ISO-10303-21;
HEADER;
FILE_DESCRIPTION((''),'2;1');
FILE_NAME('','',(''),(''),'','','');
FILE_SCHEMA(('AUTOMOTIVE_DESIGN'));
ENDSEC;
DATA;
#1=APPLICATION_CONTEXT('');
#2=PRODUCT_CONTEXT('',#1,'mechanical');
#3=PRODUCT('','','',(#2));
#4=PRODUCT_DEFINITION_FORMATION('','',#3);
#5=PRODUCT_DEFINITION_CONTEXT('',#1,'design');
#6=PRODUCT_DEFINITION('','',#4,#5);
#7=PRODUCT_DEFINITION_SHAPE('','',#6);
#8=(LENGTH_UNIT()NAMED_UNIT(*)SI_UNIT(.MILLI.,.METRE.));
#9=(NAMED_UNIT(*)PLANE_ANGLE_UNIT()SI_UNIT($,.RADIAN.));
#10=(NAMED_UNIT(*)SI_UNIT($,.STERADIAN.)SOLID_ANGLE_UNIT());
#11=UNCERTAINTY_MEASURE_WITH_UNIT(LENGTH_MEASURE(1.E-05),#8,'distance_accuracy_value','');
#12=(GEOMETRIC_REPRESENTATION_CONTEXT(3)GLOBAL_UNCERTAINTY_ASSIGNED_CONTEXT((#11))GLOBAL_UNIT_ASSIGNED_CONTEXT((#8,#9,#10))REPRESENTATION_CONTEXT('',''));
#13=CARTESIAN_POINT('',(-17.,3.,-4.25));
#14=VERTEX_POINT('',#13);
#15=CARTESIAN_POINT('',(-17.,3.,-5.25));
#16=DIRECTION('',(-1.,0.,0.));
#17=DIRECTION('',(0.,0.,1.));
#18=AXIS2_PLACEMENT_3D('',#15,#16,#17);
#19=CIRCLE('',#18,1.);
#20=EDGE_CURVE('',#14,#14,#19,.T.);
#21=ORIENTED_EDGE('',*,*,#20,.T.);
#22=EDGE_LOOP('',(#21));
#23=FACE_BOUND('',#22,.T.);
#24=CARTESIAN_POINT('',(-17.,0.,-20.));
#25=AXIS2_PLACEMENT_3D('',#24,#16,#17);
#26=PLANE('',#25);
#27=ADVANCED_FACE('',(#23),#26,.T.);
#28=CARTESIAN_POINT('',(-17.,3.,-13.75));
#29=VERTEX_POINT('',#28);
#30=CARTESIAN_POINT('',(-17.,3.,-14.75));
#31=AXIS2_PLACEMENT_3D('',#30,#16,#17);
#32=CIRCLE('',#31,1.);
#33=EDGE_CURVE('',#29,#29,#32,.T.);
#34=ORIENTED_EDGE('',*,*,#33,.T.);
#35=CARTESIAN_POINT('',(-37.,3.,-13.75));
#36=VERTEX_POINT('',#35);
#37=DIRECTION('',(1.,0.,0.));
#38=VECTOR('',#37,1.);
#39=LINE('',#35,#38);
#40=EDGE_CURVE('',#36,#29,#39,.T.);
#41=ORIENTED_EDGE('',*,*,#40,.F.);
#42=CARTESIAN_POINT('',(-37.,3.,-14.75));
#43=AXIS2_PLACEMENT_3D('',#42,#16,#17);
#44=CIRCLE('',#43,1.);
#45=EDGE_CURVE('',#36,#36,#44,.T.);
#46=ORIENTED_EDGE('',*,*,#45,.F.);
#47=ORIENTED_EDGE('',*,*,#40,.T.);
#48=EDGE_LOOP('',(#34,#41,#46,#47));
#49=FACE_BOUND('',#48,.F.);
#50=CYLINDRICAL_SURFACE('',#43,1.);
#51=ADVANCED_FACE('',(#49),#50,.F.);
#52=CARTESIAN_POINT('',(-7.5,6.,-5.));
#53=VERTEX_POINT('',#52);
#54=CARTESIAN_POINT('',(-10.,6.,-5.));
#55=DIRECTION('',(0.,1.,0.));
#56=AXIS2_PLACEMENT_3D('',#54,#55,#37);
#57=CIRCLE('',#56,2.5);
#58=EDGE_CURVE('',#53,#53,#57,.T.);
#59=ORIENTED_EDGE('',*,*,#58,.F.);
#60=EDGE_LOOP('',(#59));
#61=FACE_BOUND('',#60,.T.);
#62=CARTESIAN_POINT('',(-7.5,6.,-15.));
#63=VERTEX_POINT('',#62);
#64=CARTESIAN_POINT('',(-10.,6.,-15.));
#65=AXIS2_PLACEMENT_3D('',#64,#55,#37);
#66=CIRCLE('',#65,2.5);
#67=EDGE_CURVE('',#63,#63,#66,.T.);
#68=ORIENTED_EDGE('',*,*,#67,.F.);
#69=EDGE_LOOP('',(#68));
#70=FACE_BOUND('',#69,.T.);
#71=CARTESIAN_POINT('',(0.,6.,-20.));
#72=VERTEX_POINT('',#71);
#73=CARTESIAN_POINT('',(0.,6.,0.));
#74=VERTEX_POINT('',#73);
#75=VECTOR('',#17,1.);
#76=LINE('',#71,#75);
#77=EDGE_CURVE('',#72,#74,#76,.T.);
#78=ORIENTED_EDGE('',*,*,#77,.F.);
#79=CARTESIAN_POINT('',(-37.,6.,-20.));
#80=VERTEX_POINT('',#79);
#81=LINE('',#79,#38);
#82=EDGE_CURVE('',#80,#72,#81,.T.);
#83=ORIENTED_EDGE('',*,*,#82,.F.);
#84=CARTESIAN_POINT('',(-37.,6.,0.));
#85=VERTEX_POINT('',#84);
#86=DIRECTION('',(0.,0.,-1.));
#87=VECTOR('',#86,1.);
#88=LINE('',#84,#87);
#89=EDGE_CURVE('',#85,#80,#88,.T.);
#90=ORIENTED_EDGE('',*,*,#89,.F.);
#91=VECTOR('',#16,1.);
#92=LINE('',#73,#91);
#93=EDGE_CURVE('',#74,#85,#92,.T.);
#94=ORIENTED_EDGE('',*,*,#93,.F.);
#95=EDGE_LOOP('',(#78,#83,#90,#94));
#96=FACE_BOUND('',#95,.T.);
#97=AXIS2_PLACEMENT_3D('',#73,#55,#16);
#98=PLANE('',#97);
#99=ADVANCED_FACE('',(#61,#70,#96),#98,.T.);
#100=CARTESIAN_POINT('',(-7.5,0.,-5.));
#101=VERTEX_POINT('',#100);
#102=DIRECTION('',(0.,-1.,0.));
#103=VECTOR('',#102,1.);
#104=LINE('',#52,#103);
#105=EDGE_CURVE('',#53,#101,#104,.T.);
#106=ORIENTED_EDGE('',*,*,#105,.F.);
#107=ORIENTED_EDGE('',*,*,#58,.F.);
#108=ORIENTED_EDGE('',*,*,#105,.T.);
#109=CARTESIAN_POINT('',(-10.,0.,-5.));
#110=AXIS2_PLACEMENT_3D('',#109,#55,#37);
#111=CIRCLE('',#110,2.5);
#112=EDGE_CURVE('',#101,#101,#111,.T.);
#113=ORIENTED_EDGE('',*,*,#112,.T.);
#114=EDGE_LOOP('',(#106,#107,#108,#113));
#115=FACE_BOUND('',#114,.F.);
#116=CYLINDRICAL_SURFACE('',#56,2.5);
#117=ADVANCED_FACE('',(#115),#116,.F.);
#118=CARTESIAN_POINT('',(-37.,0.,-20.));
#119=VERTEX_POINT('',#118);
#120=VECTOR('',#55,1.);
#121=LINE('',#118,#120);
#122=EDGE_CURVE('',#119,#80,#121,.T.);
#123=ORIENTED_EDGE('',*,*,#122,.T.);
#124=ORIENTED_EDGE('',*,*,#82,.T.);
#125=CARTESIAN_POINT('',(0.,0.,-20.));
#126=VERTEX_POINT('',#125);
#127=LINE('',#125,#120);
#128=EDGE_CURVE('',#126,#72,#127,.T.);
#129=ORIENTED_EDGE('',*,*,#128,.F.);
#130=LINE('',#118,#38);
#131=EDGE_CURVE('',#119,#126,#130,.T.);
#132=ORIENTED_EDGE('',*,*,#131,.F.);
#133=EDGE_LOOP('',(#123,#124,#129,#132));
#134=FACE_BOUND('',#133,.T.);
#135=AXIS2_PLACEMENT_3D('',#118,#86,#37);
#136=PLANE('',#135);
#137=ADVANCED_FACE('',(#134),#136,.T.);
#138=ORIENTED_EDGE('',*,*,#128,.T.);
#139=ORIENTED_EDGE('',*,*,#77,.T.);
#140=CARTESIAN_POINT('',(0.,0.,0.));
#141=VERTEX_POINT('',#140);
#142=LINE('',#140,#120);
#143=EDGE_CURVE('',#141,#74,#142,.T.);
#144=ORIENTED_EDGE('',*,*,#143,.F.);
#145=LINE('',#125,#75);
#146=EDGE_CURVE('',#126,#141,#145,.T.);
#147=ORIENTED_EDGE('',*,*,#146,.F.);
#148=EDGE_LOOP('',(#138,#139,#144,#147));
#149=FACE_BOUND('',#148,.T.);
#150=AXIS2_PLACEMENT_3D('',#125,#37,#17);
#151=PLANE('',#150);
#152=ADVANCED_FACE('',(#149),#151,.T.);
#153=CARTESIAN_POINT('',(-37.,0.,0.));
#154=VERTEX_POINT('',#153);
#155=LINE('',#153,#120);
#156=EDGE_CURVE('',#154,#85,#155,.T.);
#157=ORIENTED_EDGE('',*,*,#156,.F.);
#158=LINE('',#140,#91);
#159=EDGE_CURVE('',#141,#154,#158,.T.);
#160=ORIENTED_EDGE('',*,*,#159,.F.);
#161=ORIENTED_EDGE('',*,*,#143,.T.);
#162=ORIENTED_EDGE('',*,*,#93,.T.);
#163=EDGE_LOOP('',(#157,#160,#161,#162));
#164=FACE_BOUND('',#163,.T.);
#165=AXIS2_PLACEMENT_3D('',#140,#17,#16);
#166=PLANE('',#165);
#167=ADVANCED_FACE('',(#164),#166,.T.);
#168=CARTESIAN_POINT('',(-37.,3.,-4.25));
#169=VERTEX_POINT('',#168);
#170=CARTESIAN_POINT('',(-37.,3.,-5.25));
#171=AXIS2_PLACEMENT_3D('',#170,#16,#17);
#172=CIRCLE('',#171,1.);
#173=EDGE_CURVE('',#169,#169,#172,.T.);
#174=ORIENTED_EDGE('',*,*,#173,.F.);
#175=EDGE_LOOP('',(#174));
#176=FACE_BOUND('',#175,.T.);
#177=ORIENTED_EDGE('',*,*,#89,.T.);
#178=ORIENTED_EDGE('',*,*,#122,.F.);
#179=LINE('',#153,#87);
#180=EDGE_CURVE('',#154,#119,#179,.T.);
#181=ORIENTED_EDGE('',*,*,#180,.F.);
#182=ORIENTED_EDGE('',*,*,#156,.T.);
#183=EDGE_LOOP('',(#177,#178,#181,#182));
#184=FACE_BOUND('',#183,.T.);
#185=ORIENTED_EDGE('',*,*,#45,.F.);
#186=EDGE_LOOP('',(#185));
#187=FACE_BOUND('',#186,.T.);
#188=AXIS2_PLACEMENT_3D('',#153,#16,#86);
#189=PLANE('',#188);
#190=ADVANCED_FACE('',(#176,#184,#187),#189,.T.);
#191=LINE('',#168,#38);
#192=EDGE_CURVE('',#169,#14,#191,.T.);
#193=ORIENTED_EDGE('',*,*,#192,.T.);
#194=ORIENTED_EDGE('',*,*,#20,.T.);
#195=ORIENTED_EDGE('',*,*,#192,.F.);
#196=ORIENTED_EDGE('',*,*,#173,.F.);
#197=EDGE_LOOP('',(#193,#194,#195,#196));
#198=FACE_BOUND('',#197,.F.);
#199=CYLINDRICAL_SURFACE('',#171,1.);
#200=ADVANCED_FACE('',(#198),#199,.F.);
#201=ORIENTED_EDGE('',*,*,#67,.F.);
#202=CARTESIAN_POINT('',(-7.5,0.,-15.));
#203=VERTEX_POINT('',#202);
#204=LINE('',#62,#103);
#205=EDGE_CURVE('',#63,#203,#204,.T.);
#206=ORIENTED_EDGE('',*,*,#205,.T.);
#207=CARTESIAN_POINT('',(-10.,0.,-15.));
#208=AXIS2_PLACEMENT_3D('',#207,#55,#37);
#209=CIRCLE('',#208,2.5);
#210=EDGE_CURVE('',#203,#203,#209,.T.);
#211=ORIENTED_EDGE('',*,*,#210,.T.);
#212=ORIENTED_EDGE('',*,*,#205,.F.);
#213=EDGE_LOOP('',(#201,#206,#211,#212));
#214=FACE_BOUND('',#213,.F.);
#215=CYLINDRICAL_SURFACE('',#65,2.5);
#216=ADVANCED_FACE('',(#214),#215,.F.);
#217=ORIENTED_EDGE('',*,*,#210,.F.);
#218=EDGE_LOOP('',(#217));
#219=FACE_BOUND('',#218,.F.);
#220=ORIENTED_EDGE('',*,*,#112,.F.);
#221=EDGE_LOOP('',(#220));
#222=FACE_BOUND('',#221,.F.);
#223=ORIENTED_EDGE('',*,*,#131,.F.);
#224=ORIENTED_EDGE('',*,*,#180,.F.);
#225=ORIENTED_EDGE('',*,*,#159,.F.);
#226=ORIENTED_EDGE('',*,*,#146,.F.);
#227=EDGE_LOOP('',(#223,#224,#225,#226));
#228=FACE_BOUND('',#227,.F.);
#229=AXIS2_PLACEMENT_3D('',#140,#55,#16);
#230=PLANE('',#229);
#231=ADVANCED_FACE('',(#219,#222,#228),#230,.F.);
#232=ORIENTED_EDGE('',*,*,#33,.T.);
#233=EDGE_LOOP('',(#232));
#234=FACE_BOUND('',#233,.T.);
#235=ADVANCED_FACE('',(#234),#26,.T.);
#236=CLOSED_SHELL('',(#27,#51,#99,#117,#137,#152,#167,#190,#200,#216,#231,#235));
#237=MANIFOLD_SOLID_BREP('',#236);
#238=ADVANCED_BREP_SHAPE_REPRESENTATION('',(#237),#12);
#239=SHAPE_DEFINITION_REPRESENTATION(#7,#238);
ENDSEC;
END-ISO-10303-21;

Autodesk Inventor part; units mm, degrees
ref_plane "YZ Plane" through (0, 0, 0) normal (1, 0, 0) x (0, 1, 0)
ref_plane "XZ Plane" through (0, 0, 0) normal (0, 1, 0) x (-1, 0, 0)
ref_plane "XY Plane" through (0, 0, 0) normal (0, 0, 1) x (1, 0, 0)
sketch "Sketch1" plane through (0, 0, 0) normal (0, 1, 0) x (-1, 0, 0)
  line L0 (0, 0) -> (37, 0)
  line L1 (37, 0) -> (37, -20)
  line L2 (37, -20) -> (0, -20)
  line L3 (0, -20) -> (0, 0)
  dimension "d0" = 37
  dimension "d1" = 20
extrude "Extrusion1" add sketch "Sketch1" along normal blind 6
sketch "Sketch2" plane through (0, 6, 0) normal (0, 1, 0) x (1, 0, 0)
  circle A0 centre (-10, 5) radius 2.5
  circle A1 centre (-10, 15) radius 2.5
  line L0 (0, 0) -> (0, 20) projected
  line L1 (0, 20) -> (-37, 20) projected
  line L2 (-37, 0) -> (0, 0) projected
  dimension "d4" = 5
  dimension "d5" = 5
  dimension "d6" = 10
  dimension "d7" = 10
  dimension "d8" = 5
  dimension "d9" = 5
extrude "Extrusion2" cut sketch "Sketch2" against normal blind 8
sketch "Sketch3" plane through (-37, 0, -20) normal (-1, 0, 0) x (0, 0, 1)
  circle A0 centre (5.25, 3) radius 1
  circle A1 centre (14.75, 3) radius 1
  line L0 (0, 0) -> (20, 0) projected
  line L1 (0, 0) -> (0, 6) projected
  dimension "d12" = 2
  dimension "d13" = 2
  dimension "d14" = 9.5
  dimension "d15" = 3
  dimension "d16" = 3
  dimension "d17" = 5.25
extrude "Extrusion3" cut sketch "Sketch3" against normal blind 20
thread "Thread1" size "M2x0.4" class "6H" standard "ANSI Metric M Profile" full length
thread "Thread2" size "M2x0.4" class "6H" standard "ANSI Metric M Profile" full length
properties part number "Endstop_holer_X"
